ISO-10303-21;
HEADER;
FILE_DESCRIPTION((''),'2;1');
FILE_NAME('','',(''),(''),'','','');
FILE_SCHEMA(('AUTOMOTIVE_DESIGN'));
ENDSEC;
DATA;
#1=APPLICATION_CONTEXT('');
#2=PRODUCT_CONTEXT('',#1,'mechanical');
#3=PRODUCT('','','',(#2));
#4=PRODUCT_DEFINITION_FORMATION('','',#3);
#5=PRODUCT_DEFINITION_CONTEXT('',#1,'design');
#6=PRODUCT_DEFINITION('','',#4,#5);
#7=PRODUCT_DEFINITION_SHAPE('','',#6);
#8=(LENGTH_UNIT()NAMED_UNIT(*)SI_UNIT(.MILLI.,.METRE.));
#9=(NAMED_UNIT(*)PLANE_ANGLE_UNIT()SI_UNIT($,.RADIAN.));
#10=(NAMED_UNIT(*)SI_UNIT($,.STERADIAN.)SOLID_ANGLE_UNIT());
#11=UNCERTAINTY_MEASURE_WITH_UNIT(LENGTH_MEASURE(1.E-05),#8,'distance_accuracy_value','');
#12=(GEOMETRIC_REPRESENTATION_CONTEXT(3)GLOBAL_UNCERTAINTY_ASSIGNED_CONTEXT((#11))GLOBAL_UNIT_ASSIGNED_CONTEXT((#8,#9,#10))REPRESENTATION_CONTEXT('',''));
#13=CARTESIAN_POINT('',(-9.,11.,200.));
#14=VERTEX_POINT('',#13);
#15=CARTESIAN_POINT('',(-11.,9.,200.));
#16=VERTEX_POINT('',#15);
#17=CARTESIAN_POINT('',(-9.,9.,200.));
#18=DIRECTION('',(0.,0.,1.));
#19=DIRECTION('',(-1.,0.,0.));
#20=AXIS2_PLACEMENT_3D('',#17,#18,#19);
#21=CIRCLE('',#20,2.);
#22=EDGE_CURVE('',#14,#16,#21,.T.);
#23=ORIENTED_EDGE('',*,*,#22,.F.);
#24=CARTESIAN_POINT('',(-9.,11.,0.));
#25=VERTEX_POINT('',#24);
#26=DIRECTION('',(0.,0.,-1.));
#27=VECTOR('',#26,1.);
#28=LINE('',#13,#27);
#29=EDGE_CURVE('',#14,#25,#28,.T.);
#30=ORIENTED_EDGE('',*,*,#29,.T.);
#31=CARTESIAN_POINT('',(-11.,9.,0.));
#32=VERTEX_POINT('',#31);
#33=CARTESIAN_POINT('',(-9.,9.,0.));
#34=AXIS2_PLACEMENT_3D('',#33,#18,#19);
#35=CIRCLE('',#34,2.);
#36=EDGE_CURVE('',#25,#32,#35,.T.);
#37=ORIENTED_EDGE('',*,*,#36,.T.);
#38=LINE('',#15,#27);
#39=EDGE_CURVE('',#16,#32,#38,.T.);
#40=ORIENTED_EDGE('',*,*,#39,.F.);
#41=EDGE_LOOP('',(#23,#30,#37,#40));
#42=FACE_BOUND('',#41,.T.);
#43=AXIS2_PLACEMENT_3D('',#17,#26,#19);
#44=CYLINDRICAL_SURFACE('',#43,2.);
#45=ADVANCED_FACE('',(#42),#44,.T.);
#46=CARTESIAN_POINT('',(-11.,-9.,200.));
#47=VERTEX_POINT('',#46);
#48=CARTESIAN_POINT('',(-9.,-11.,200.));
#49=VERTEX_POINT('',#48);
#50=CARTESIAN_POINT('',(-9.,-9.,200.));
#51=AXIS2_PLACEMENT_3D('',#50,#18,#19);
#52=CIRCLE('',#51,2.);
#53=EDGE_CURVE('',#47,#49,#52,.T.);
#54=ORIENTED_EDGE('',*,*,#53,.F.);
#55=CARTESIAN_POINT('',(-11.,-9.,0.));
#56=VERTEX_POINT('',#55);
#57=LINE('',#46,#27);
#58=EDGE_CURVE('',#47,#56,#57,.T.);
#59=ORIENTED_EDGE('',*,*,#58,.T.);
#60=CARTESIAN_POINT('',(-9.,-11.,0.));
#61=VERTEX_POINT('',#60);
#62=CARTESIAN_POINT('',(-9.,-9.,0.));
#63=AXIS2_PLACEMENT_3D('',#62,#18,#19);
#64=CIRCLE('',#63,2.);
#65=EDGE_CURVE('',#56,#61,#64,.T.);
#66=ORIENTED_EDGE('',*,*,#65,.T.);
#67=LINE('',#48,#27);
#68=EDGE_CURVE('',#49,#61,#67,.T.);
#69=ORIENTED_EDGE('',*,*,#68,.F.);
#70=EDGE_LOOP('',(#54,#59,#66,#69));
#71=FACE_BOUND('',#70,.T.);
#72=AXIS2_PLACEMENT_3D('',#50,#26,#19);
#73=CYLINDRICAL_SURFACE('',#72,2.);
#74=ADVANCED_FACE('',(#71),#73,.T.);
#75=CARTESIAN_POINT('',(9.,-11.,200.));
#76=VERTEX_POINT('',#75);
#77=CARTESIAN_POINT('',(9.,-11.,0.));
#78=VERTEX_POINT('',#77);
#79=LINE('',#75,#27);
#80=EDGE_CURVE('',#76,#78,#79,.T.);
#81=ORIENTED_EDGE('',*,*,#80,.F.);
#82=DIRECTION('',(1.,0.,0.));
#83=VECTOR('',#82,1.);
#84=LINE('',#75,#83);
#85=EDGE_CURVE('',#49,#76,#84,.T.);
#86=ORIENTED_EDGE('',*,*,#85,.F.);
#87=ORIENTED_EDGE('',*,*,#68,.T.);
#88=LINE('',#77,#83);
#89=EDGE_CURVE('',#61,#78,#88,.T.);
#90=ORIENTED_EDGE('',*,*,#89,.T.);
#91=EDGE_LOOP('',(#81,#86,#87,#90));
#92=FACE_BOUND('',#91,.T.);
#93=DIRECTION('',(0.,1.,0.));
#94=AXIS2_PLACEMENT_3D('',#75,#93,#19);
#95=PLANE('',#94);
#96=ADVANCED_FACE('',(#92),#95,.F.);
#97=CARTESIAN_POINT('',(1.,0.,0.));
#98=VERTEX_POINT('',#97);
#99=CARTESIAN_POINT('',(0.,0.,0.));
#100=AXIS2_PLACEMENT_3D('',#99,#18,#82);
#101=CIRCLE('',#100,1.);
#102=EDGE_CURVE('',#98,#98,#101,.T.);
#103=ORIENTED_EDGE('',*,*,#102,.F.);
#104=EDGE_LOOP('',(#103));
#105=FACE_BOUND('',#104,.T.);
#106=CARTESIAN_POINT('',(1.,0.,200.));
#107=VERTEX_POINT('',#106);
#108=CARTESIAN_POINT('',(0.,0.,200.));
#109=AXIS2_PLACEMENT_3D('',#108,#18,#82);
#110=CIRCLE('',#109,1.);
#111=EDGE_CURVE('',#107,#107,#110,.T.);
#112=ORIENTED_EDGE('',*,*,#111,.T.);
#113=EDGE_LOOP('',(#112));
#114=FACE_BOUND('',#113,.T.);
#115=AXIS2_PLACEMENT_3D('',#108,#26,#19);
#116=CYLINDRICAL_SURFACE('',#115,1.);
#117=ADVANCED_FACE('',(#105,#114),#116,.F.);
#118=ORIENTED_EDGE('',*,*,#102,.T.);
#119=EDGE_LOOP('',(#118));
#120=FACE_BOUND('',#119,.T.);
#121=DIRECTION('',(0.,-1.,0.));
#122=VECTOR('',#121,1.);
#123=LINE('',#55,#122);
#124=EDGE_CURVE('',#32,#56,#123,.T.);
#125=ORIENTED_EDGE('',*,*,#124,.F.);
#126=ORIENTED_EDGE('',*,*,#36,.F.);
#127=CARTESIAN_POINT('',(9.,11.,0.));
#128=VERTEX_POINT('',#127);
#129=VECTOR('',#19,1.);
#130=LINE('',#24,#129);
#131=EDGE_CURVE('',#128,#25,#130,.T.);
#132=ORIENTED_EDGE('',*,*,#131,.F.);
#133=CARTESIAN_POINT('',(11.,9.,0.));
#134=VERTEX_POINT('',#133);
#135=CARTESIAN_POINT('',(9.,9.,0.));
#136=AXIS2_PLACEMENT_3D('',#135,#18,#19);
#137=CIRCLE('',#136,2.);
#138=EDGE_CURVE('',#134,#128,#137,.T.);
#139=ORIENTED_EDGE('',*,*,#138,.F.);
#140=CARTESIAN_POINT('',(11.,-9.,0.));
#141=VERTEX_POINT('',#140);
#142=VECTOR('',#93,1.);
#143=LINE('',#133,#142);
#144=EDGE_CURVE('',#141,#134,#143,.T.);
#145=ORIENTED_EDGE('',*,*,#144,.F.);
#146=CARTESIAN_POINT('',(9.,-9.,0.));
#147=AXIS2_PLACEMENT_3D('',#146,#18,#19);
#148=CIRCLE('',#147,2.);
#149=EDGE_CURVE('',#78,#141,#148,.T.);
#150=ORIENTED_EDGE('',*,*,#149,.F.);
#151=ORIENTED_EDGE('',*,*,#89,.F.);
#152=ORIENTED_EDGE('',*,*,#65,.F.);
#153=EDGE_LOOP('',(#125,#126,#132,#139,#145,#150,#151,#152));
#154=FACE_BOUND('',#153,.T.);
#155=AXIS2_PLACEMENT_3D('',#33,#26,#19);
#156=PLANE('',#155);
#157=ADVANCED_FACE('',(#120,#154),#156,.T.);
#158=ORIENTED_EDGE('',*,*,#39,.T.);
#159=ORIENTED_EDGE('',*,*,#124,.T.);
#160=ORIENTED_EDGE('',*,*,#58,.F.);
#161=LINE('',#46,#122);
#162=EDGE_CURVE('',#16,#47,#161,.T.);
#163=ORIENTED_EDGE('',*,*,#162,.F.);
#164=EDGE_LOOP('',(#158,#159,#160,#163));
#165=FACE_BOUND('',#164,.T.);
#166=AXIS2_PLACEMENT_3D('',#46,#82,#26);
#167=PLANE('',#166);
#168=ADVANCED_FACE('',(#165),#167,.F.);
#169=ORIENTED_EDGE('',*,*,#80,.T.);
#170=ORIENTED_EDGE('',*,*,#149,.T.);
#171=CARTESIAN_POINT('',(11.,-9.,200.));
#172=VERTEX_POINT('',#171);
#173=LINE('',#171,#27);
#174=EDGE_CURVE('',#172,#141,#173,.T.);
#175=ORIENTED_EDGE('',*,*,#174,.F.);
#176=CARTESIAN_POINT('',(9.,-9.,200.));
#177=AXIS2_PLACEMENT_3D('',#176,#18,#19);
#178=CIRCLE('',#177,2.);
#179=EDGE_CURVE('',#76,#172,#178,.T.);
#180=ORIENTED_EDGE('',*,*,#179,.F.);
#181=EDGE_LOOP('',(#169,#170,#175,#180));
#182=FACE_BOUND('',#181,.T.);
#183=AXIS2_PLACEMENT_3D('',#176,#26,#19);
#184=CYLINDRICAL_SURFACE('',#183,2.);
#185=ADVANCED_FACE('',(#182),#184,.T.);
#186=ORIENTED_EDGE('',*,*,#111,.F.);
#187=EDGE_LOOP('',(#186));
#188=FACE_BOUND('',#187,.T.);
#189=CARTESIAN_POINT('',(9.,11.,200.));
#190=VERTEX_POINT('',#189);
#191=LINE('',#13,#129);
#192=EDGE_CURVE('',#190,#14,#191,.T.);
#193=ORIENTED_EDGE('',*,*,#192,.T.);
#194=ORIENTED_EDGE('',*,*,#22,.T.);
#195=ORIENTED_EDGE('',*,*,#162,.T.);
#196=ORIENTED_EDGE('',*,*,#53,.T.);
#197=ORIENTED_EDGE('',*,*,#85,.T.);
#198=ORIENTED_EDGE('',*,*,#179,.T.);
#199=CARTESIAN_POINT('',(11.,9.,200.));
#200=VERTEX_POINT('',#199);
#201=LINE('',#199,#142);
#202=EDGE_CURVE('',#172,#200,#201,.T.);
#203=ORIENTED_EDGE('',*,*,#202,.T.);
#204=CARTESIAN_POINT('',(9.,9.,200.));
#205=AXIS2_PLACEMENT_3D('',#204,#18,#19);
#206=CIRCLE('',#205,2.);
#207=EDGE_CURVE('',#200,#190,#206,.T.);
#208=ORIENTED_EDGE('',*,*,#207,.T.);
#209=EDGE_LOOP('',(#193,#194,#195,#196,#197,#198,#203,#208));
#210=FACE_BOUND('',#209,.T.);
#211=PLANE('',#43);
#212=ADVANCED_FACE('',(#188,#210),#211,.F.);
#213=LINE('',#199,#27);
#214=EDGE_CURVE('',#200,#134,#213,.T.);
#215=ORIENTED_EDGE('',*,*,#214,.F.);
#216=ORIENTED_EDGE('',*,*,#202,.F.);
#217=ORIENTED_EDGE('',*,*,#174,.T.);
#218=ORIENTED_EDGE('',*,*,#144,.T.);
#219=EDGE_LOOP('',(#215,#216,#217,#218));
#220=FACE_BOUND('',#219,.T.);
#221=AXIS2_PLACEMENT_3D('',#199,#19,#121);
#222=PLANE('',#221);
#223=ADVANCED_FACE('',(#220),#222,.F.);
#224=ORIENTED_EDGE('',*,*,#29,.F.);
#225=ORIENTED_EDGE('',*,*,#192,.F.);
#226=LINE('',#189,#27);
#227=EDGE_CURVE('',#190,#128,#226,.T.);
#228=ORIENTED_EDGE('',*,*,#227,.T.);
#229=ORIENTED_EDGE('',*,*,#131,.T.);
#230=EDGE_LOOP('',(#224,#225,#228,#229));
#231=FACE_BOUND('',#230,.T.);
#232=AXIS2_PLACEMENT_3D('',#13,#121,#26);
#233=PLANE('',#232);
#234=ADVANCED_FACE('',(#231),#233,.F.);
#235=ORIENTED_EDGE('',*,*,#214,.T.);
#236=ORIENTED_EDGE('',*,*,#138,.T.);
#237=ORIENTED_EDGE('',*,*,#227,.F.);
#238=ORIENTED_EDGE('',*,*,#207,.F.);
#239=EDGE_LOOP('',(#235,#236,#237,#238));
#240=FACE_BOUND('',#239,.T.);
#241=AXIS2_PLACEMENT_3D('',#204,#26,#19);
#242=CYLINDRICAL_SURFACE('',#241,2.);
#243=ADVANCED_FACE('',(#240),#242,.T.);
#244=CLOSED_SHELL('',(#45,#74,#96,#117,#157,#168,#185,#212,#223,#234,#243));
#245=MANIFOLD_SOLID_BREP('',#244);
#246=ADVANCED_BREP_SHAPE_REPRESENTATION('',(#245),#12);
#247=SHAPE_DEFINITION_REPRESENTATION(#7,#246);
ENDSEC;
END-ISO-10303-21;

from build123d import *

# Parameters (mm, degrees)
ESQUISSE1_R      = 1
EXTRUSION1_DEPTH = 200


with BuildPart() as part:
    # Esquisse1 → Extrusion1 (new body)
    with BuildSketch(Plane.XY):
        with BuildLine():
            Line((-9, 11), (9, 11))
            ThreePointArc((9, 11), (10.414213562, 10.414213562), (11, 9))
            Line((11, 9), (11, -9))
            ThreePointArc((11, -9), (10.414213562, -10.414213562), (9, -11))
            Line((9, -11), (-9, -11))
            ThreePointArc((-9, -11), (-10.414213562, -10.414213562), (-11, -9))
            Line((-11, -9), (-11, 9))
            ThreePointArc((-11, 9), (-10.414213562, 10.414213562), (-9, 11))
        make_face()
        Circle(ESQUISSE1_R, mode=Mode.SUBTRACT)
    extrude(amount=EXTRUSION1_DEPTH)


solid = part.part
